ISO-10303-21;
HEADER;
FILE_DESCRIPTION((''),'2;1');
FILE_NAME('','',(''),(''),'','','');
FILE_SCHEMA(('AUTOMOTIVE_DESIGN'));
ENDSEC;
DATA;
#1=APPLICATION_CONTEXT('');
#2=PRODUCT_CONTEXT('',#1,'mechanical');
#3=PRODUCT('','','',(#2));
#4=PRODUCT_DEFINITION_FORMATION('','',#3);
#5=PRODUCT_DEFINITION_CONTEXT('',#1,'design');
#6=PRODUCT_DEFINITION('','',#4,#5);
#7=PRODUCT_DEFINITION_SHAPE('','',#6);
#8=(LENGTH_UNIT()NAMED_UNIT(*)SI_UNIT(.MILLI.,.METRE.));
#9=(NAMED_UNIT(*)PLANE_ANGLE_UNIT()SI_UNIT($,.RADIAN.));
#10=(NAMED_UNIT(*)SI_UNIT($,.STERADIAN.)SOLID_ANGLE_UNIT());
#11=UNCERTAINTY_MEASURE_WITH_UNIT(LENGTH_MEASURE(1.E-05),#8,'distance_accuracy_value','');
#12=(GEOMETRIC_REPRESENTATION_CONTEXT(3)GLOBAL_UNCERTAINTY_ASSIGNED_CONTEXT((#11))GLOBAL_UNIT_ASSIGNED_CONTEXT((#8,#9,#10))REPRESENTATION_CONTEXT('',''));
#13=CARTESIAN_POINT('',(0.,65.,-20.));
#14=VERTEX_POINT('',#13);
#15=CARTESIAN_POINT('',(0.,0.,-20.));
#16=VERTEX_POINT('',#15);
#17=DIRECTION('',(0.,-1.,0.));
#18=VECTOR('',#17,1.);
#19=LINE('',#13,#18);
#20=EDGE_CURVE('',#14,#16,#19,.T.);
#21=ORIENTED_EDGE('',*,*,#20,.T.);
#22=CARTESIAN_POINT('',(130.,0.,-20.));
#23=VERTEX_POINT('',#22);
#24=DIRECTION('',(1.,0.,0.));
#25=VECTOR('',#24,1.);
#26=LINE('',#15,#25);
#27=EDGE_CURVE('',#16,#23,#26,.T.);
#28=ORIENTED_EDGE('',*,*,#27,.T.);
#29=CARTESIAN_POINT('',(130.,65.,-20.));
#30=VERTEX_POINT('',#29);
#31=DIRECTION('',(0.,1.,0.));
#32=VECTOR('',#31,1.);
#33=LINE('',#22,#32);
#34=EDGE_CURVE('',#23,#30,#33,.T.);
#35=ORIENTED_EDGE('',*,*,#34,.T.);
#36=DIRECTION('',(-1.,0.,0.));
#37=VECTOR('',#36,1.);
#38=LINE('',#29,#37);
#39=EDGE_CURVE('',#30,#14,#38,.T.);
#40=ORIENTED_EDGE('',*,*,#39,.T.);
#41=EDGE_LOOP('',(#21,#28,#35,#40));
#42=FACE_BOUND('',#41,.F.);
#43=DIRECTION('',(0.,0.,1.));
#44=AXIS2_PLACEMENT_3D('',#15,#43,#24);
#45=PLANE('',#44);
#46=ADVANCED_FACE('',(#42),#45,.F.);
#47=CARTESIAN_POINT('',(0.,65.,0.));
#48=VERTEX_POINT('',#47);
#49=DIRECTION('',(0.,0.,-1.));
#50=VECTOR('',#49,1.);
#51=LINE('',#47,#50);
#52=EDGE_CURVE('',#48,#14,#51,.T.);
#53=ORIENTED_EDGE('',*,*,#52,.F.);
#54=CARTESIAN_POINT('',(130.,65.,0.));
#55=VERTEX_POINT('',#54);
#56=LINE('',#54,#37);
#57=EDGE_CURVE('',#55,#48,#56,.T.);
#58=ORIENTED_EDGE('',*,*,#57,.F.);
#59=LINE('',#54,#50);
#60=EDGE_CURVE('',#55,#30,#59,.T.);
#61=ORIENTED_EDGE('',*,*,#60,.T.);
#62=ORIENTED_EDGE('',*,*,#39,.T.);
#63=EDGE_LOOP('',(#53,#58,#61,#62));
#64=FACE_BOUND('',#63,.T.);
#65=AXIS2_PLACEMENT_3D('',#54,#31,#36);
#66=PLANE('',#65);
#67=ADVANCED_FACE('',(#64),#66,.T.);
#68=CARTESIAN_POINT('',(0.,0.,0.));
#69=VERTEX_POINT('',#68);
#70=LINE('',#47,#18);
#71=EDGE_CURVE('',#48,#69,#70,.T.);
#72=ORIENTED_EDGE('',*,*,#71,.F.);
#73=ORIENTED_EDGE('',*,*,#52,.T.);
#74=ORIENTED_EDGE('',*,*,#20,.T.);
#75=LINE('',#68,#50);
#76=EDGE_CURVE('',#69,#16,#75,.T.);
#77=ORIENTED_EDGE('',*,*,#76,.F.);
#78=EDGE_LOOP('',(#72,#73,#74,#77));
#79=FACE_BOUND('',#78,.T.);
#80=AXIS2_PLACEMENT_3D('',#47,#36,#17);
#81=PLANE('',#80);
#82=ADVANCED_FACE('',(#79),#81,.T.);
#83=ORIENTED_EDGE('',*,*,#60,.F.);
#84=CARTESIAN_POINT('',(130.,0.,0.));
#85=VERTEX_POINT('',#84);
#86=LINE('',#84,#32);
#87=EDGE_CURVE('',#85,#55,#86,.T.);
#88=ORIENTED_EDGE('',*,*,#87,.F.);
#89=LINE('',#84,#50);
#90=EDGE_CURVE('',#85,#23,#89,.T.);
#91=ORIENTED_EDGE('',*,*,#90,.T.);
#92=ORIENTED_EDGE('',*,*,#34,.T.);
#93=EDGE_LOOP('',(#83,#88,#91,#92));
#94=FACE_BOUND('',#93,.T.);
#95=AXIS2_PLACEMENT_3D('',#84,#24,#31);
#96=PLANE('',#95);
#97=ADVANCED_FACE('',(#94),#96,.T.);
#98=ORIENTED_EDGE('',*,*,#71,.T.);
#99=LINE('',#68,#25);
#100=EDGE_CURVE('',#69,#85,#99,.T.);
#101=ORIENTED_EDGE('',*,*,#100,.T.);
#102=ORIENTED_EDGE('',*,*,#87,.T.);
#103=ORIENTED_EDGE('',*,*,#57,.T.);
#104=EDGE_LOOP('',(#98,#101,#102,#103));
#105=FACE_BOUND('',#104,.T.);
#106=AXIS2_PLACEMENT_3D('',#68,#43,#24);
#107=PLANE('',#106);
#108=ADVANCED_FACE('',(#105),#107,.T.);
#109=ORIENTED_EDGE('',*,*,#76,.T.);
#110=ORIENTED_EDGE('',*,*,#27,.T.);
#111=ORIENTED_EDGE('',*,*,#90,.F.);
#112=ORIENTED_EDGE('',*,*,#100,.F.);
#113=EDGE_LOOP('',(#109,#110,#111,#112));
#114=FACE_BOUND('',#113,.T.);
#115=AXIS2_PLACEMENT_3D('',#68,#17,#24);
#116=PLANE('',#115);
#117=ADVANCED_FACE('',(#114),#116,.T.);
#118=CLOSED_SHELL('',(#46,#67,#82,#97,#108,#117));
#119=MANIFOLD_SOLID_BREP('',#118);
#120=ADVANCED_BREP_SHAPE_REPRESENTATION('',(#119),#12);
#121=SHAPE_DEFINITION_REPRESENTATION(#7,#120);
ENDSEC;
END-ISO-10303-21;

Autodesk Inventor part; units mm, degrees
ref_plane "YZ Plane" through (0, 0, 0) normal (1, 0, 0) x (0, 1, 0)
ref_plane "XZ Plane" through (0, 0, 0) normal (0, 1, 0) x (-1, 0, 0)
ref_plane "XY Plane" through (0, 0, 0) normal (0, 0, 1) x (1, 0, 0)
sketch "Skizze1" plane through (0, 0, 0) normal (0, 0, 1) x (1, 0, 0)
  line L0 (0, 0) -> (130, 0)
  line L1 (130, 0) -> (130, 65)
  line L2 (130, 65) -> (0, 65)
  line L3 (0, 65) -> (0, 0)
  dimension "d0" = 130
  dimension "d1" = 65
extrude "Extrusion1" add sketch "Skizze1" against normal blind 20
properties part number "Raspberry" material "Platinengrün"
